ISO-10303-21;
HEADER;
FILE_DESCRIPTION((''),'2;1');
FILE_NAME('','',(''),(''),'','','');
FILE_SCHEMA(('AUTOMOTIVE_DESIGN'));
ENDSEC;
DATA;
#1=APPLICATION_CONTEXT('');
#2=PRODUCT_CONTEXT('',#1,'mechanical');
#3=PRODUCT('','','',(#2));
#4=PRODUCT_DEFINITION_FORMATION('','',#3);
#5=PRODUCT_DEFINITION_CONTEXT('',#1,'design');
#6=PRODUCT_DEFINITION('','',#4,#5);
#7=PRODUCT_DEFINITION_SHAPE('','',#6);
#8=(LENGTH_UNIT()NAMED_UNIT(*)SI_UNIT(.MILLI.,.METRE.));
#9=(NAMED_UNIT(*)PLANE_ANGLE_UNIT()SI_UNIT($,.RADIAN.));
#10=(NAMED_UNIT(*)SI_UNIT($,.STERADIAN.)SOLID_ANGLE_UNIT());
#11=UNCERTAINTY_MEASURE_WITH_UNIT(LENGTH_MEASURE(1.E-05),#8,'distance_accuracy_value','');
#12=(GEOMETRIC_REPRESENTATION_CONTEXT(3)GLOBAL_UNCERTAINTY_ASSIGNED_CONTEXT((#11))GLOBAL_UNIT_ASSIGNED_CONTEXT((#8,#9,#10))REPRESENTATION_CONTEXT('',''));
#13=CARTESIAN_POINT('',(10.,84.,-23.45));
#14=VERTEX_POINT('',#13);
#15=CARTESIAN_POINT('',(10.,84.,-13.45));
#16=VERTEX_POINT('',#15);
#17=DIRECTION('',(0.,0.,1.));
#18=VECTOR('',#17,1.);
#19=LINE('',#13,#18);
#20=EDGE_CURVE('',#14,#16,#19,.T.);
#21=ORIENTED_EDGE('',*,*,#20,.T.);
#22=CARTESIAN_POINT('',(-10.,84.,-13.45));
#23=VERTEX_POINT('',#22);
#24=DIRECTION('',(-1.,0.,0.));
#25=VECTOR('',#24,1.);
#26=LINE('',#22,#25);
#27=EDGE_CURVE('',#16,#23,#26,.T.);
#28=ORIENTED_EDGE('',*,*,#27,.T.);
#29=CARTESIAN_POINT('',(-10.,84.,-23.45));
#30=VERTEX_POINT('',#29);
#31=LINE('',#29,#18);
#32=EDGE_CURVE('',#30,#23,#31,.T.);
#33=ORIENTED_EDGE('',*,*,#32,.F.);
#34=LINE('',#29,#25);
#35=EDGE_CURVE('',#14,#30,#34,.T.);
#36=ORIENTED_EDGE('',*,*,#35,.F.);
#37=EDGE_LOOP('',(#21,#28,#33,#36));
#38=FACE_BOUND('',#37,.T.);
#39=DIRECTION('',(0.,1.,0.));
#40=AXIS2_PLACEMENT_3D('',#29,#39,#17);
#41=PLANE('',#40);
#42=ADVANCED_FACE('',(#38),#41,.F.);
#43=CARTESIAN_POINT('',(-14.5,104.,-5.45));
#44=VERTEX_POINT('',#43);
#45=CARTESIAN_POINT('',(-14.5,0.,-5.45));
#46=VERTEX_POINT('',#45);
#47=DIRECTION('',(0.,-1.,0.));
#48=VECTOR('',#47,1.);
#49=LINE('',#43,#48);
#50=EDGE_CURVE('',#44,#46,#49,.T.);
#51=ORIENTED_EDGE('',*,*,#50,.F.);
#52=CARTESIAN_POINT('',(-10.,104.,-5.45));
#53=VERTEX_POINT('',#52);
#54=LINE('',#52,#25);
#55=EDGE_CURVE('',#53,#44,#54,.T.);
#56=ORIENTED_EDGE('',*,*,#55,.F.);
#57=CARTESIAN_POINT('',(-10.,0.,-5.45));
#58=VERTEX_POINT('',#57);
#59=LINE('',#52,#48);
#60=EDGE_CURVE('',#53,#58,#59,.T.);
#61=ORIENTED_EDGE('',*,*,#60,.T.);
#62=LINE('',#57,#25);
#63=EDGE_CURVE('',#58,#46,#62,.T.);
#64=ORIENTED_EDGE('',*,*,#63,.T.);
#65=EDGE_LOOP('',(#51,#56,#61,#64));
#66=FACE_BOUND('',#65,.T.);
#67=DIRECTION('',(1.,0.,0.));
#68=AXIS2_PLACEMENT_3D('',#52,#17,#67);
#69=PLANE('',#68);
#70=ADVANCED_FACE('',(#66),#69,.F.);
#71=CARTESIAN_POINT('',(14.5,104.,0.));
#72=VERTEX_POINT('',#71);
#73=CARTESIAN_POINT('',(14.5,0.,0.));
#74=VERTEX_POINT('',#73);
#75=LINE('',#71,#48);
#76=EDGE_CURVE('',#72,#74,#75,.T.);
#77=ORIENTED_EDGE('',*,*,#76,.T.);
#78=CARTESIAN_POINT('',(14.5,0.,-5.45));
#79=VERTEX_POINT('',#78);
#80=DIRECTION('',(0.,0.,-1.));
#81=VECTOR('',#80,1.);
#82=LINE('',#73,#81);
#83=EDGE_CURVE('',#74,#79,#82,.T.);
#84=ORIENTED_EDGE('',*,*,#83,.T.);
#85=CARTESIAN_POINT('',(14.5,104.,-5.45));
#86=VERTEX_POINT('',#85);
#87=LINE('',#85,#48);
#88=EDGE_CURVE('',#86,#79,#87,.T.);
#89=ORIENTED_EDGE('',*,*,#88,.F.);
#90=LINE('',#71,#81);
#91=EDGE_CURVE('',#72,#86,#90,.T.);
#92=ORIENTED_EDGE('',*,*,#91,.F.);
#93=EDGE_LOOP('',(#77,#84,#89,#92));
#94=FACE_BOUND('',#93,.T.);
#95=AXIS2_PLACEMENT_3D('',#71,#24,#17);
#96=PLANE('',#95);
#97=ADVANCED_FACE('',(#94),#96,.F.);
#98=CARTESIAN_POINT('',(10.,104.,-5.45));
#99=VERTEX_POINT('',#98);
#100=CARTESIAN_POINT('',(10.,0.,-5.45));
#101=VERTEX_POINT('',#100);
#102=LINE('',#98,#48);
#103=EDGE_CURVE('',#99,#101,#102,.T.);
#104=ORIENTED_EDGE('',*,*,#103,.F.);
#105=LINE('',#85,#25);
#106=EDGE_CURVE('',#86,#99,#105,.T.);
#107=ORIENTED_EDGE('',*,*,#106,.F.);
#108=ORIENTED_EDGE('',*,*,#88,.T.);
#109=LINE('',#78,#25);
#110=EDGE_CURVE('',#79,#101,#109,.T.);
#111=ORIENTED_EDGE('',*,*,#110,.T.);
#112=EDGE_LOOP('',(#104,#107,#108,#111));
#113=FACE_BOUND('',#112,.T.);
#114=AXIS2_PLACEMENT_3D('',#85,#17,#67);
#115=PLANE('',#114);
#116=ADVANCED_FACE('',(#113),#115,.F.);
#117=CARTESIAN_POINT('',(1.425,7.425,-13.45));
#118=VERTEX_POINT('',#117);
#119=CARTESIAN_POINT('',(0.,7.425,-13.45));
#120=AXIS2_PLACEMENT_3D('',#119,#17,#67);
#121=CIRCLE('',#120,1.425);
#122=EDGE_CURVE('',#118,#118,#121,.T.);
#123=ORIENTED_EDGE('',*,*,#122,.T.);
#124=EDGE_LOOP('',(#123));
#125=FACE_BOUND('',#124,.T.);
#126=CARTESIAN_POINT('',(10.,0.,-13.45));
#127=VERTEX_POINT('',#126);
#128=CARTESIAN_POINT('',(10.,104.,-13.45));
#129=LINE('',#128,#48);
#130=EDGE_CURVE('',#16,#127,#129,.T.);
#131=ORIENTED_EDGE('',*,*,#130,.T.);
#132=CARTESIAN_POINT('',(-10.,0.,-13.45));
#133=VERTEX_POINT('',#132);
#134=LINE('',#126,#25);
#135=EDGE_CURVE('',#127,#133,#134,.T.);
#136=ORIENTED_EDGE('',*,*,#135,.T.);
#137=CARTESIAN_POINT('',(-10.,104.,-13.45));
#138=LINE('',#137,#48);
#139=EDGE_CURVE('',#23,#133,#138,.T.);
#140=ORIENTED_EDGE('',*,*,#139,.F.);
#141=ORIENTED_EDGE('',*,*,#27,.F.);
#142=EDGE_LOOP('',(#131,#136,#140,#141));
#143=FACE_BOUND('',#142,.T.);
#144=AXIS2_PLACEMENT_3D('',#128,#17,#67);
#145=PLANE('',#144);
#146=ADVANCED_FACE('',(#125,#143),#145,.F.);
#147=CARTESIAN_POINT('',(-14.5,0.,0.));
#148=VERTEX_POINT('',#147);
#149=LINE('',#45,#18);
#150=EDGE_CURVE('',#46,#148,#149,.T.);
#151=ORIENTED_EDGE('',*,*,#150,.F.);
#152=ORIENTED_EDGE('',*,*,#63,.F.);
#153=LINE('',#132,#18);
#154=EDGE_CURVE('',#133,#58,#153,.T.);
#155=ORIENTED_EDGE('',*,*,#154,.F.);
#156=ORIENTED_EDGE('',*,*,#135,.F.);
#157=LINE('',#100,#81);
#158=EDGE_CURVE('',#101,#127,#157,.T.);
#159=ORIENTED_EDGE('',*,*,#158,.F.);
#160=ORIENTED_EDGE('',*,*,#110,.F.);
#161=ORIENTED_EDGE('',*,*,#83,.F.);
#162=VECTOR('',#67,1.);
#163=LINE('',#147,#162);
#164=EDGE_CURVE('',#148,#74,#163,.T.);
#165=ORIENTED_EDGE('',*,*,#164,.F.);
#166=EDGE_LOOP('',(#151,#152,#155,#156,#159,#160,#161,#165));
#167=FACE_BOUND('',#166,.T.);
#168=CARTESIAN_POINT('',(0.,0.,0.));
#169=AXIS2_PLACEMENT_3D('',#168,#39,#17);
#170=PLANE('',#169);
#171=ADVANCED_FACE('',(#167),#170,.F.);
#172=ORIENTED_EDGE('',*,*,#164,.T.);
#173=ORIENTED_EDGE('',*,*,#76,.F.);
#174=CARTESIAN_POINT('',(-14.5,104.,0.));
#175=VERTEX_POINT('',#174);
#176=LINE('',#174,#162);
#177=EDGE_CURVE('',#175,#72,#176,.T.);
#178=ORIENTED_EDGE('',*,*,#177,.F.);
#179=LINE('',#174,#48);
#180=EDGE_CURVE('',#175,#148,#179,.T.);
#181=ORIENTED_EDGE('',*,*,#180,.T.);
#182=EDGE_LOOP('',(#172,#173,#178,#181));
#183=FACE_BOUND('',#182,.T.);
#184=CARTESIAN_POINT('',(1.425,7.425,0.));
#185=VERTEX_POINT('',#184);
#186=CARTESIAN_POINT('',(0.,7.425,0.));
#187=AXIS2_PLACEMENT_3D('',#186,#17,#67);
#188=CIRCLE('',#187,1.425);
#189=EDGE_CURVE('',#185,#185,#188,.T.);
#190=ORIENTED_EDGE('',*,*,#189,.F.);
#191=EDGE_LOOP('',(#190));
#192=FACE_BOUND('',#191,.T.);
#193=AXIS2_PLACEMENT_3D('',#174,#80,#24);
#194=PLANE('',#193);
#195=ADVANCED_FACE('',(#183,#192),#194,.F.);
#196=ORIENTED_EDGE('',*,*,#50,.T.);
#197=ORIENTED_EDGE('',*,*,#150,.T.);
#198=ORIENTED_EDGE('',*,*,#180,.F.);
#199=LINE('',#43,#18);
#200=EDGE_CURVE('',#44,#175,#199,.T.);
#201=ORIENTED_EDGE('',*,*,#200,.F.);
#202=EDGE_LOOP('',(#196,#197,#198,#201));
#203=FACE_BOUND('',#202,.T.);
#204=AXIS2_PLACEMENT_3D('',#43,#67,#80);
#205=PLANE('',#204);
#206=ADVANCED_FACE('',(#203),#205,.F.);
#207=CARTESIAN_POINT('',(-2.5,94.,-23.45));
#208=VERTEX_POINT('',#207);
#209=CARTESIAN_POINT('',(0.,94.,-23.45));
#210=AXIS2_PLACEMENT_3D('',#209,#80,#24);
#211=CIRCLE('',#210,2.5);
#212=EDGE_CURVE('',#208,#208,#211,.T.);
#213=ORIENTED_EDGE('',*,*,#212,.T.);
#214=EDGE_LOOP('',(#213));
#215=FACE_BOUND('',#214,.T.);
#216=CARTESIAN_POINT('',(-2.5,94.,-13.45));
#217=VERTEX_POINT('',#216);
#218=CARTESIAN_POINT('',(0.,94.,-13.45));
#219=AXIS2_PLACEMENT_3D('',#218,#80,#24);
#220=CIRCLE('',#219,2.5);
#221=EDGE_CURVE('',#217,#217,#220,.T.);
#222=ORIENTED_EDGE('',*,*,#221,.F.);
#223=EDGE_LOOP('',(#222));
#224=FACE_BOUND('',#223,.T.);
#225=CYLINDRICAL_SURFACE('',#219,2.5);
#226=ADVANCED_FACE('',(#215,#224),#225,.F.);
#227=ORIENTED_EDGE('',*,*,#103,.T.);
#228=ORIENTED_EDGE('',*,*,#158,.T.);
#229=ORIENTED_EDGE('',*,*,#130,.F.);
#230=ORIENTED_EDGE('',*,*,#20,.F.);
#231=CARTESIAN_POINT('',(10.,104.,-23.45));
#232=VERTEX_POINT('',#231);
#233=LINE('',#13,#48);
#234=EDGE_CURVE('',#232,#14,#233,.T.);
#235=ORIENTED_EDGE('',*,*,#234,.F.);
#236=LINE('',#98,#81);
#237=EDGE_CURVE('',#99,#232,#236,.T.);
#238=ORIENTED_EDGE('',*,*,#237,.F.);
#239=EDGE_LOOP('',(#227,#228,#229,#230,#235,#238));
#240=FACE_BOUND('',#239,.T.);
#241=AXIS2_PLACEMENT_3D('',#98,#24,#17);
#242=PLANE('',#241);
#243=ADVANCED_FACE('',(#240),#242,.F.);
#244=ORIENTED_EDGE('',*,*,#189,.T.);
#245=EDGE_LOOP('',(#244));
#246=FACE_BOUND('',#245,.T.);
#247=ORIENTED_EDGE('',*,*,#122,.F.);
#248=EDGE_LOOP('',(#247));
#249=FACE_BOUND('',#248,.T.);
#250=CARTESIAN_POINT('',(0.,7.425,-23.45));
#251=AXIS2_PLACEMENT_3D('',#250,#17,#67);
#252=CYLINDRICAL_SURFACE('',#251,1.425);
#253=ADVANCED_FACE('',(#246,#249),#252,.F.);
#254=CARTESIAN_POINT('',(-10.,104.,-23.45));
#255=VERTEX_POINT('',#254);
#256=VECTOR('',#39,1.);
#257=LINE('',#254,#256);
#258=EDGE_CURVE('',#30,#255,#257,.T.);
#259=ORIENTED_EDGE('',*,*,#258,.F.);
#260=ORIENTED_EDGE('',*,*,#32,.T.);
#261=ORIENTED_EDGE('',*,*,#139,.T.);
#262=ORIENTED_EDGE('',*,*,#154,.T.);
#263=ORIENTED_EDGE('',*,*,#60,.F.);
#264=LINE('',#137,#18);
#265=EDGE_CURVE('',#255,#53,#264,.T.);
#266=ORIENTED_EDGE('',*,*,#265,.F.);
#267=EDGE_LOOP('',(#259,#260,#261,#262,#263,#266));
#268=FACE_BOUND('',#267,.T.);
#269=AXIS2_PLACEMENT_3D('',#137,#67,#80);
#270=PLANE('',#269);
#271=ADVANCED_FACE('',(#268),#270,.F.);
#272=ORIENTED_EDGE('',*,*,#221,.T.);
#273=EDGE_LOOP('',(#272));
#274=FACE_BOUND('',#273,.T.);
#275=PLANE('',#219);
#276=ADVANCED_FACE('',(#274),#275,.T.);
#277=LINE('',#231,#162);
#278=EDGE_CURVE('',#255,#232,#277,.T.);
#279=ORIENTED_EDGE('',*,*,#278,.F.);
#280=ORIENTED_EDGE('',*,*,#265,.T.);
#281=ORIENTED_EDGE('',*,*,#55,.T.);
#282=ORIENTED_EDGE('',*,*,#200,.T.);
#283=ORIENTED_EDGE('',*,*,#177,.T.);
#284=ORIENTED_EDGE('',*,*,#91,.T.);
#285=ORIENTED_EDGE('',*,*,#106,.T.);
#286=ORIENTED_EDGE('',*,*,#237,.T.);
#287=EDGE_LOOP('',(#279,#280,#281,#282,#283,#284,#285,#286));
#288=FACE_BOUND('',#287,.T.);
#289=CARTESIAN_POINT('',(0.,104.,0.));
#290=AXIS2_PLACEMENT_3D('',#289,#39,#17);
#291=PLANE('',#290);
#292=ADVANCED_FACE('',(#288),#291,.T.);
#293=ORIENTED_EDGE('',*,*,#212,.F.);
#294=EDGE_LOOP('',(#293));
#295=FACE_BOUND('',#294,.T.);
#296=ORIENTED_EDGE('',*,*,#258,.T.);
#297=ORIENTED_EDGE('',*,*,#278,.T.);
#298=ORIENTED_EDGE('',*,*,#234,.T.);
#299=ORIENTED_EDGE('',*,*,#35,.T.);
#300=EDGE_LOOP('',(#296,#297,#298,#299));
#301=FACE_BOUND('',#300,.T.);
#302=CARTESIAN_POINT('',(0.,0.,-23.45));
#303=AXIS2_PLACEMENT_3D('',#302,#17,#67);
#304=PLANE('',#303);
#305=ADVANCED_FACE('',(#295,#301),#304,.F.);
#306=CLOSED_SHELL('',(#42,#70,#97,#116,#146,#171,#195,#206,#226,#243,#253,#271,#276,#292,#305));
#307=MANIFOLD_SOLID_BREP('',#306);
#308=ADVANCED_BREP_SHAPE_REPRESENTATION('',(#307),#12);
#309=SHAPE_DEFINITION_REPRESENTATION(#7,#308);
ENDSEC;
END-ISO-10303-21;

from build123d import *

# Parameters (mm, degrees)
DODANIE_WYCI_GNI_CIE1_DEPTH = 104
SZKIC2_W                    = 20
SZKIC2_H                    = 20
DODANIE_WYCI_GNI_CIE2_DEPTH = 10
SZKIC3_R                    = 2.5
WYTNIJ_WYCI_GNI_CIE1_DEPTH  = 10
SZKIC4_R                    = 1.425
WYTNIJ_WYCI_GNI_CIE2_DEPTH  = 108.592529945


with BuildPart() as part:
    # Szkic1 → Dodanie-wyciągnięcie1 (new body)
    with BuildSketch(Plane(origin=(0, 0, 0), x_dir=(1, 0, 0), z_dir=(0, 1, 0))):
        Polygon((-14.5, 0), (14.5, 0), (14.5, 5.45), (10, 5.45), (10, 13.45), (-10, 13.45), (-10, 5.45), (-14.5, 5.45), align=None)
    extrude(amount=DODANIE_WYCI_GNI_CIE1_DEPTH)

    # Szkic2 → Dodanie-wyciągnięcie2 (add)
    with BuildSketch(Plane(origin=(0, 0, -13.45), x_dir=(-1, 0, 0), z_dir=(0, 0, -1))):
        with Locations((0, 94)):
            Rectangle(SZKIC2_W, SZKIC2_H)
    extrude(amount=DODANIE_WYCI_GNI_CIE2_DEPTH)

    # Szkic3 → Wytnij-wyciągnięcie1 (cut)
    with BuildSketch(Plane(origin=(0, 0, -23.45), x_dir=(-1, 0, 0), z_dir=(0, 0, -1))):
        with Locations((0, 94)):
            Circle(SZKIC3_R)
    extrude(amount=-WYTNIJ_WYCI_GNI_CIE1_DEPTH, mode=Mode.SUBTRACT)

    # Szkic4 → Wytnij-wyciągnięcie2 (cut, through all)
    with BuildSketch(Plane.XY):
        with Locations((0, 7.425)):
            Circle(SZKIC4_R)
    extrude(amount=-WYTNIJ_WYCI_GNI_CIE2_DEPTH, mode=Mode.SUBTRACT)


solid = part.part
